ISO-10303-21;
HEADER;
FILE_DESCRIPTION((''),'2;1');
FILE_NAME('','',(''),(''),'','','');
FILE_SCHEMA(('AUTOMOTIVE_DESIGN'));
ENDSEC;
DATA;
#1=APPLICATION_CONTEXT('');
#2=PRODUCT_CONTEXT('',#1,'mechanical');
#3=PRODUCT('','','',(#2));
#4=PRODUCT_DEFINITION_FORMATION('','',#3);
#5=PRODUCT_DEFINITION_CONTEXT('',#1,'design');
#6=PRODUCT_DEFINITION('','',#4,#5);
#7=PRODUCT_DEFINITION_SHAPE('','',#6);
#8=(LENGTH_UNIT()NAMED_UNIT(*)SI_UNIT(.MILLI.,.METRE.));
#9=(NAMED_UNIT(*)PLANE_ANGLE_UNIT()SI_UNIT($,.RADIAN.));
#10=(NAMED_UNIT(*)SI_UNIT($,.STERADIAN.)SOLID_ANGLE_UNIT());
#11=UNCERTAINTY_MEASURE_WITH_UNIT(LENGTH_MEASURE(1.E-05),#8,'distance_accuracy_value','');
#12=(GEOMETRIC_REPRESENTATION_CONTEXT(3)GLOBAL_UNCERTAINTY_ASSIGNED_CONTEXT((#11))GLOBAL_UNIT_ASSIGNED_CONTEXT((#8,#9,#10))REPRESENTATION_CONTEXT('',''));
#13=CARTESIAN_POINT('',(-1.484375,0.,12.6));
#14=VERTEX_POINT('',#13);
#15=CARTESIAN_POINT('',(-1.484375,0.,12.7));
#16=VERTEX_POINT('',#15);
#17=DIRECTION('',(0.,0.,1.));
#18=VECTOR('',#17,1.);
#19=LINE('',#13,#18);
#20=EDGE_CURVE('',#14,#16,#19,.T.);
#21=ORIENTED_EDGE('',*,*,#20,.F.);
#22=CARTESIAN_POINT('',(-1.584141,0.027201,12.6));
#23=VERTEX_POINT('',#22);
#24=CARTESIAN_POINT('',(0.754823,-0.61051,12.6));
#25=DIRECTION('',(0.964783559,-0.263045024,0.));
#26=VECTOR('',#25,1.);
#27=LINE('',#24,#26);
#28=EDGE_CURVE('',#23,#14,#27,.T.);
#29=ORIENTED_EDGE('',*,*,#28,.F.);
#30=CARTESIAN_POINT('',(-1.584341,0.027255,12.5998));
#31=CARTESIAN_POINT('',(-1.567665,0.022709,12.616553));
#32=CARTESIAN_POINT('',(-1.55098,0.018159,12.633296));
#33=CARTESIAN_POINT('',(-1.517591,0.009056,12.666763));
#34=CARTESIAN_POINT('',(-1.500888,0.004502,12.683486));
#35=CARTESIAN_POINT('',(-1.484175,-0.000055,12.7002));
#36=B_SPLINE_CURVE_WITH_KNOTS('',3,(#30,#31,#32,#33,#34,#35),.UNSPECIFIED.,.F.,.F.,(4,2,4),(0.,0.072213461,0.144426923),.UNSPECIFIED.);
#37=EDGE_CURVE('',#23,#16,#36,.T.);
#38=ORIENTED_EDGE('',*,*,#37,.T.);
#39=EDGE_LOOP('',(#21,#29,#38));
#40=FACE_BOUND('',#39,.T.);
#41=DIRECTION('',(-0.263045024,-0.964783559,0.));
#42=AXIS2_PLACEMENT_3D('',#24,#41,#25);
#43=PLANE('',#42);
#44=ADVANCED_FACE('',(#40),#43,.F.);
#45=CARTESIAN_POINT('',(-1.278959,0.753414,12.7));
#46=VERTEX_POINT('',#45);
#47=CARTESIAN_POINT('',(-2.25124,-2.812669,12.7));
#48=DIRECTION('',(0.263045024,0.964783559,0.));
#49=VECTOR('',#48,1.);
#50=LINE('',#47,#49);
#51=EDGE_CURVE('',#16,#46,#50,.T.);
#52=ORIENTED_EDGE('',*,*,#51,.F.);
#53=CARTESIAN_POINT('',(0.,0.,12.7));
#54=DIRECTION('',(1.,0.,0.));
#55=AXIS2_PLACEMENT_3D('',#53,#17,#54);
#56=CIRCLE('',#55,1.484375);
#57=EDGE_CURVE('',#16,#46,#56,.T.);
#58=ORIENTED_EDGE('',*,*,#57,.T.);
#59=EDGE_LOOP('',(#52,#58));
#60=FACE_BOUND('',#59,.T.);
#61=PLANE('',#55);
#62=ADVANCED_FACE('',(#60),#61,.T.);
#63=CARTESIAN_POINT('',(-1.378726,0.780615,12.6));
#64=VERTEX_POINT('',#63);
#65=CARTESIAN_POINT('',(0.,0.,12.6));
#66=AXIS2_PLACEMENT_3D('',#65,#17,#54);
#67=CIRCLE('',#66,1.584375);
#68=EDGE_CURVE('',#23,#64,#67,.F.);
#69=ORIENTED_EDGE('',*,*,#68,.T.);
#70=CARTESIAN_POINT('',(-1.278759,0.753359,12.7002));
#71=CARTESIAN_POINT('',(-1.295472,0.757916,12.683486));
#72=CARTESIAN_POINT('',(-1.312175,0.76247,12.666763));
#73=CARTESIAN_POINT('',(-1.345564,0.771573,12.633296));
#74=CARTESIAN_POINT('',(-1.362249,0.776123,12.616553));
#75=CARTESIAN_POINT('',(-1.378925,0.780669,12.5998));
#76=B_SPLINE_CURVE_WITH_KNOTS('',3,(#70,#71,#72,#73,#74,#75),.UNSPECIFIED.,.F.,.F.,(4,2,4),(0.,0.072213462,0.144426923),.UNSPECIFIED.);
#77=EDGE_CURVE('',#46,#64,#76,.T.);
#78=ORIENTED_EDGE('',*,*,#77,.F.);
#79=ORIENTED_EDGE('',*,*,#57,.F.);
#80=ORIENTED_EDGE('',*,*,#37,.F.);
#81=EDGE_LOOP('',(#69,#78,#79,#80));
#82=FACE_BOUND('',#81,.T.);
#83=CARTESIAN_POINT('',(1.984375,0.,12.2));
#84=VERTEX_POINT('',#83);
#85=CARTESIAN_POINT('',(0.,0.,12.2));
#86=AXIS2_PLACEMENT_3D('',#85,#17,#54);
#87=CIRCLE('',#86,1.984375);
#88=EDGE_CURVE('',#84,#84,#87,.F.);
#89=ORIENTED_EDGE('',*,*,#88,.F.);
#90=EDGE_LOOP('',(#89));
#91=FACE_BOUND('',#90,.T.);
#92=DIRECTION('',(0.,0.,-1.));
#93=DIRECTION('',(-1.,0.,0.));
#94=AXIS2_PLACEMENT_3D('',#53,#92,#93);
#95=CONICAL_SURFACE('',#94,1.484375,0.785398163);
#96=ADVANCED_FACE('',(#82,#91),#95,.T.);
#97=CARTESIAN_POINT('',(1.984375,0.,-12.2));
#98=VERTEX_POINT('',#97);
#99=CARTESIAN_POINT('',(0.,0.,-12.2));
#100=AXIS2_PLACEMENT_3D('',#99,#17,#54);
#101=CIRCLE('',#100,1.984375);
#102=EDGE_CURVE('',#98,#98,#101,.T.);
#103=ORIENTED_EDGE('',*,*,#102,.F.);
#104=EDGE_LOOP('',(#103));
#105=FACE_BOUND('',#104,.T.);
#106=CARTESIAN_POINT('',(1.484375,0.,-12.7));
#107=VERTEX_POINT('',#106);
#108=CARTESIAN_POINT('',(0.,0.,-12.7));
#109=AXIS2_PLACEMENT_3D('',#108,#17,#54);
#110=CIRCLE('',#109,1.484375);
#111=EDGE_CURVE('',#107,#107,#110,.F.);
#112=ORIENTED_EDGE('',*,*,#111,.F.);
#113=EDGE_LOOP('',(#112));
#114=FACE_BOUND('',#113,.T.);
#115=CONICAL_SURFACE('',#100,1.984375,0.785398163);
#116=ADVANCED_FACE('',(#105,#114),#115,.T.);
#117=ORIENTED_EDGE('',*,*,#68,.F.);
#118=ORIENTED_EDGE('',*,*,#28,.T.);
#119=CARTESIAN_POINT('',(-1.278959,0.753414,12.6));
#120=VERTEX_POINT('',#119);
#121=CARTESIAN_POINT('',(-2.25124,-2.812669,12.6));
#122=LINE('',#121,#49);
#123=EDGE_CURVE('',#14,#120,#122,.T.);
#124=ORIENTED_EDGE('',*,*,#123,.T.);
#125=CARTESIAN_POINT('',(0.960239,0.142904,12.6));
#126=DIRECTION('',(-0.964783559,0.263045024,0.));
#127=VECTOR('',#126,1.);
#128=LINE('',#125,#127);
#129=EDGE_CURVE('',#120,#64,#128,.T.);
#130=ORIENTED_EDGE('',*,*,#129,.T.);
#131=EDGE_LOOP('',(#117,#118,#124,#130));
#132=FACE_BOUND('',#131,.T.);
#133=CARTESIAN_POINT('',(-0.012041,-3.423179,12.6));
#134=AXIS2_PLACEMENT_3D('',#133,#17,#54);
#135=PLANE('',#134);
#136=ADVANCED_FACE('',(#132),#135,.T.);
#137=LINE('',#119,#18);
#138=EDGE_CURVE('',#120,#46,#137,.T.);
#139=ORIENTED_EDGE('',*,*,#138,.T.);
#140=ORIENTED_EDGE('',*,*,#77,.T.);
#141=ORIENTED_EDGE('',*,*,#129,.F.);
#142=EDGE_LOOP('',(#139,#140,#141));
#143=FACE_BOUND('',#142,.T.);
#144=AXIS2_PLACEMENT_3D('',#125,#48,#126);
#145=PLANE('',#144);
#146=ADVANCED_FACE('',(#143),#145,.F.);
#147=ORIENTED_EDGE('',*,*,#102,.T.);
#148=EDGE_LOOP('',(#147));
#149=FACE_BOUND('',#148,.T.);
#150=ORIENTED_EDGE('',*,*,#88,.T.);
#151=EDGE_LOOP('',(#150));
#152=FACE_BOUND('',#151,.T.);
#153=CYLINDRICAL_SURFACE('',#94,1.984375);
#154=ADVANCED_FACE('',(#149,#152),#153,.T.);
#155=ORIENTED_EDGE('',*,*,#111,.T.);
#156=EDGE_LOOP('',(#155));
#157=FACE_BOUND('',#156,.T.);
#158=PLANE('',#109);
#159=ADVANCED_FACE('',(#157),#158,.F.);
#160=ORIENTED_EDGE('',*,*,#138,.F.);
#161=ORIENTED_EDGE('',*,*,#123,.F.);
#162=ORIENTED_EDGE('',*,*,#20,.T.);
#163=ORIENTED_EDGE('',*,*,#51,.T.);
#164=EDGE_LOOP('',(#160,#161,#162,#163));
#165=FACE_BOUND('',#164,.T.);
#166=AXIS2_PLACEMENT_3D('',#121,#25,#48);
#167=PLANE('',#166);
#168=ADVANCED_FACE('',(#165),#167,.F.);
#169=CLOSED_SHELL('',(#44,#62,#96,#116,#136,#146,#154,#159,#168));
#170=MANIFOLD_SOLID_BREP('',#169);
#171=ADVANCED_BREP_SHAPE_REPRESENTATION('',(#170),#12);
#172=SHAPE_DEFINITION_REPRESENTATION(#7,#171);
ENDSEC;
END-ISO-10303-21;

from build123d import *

# Parameters (mm, degrees)
SKETCH1_R           = 1.984375
BOSS_EXTRUDE1_DEPTH = 12.7
CHAMFER1_SIZE       = 0.5
CUT_EXTRUDE2_DEPTH  = 0.1


with BuildPart() as part:
    # Sketch1 → Boss-Extrude1 (new, symmetric)
    with BuildSketch(Plane.XY):
        Circle(SKETCH1_R)
    extrude(amount=BOSS_EXTRUDE1_DEPTH, both=True)

    # Chamfer1
    chamfer1_edges = [part.edges().sort_by_distance(p)[0] for p in [
        (-1.984375, 0, -12.7),
        (-1.984375, 0, 12.7),
    ]]
    chamfer(chamfer1_edges, length=CHAMFER1_SIZE)

    # Sketch2 → Cut-Extrude2 (cut)
    with BuildSketch(Plane.XY.offset(12.7)):
        with BuildLine():
            ThreePointArc((-1.278959217, 0.753413872), (-1.432100595, 0.390457458), (-1.484375, 0))
            Line((-1.484375, 0), (-1.278959217, 0.753413872))
        make_face()
        with BuildLine():
            Line((-1.775379716, 0.079341467), (-1.484375, 0))
            ThreePointArc((-1.484375, 0), (-1.432100595, 0.390457458), (-1.278959217, 0.753413872))
            Line((-1.278959217, 0.753413872), (-1.569963933, 0.832755339))
            Line((-1.569963933, 0.832755339), (-1.775379716, 0.079341467))
        make_face()
    extrude(amount=-CUT_EXTRUDE2_DEPTH, mode=Mode.SUBTRACT)


solid = part.part
